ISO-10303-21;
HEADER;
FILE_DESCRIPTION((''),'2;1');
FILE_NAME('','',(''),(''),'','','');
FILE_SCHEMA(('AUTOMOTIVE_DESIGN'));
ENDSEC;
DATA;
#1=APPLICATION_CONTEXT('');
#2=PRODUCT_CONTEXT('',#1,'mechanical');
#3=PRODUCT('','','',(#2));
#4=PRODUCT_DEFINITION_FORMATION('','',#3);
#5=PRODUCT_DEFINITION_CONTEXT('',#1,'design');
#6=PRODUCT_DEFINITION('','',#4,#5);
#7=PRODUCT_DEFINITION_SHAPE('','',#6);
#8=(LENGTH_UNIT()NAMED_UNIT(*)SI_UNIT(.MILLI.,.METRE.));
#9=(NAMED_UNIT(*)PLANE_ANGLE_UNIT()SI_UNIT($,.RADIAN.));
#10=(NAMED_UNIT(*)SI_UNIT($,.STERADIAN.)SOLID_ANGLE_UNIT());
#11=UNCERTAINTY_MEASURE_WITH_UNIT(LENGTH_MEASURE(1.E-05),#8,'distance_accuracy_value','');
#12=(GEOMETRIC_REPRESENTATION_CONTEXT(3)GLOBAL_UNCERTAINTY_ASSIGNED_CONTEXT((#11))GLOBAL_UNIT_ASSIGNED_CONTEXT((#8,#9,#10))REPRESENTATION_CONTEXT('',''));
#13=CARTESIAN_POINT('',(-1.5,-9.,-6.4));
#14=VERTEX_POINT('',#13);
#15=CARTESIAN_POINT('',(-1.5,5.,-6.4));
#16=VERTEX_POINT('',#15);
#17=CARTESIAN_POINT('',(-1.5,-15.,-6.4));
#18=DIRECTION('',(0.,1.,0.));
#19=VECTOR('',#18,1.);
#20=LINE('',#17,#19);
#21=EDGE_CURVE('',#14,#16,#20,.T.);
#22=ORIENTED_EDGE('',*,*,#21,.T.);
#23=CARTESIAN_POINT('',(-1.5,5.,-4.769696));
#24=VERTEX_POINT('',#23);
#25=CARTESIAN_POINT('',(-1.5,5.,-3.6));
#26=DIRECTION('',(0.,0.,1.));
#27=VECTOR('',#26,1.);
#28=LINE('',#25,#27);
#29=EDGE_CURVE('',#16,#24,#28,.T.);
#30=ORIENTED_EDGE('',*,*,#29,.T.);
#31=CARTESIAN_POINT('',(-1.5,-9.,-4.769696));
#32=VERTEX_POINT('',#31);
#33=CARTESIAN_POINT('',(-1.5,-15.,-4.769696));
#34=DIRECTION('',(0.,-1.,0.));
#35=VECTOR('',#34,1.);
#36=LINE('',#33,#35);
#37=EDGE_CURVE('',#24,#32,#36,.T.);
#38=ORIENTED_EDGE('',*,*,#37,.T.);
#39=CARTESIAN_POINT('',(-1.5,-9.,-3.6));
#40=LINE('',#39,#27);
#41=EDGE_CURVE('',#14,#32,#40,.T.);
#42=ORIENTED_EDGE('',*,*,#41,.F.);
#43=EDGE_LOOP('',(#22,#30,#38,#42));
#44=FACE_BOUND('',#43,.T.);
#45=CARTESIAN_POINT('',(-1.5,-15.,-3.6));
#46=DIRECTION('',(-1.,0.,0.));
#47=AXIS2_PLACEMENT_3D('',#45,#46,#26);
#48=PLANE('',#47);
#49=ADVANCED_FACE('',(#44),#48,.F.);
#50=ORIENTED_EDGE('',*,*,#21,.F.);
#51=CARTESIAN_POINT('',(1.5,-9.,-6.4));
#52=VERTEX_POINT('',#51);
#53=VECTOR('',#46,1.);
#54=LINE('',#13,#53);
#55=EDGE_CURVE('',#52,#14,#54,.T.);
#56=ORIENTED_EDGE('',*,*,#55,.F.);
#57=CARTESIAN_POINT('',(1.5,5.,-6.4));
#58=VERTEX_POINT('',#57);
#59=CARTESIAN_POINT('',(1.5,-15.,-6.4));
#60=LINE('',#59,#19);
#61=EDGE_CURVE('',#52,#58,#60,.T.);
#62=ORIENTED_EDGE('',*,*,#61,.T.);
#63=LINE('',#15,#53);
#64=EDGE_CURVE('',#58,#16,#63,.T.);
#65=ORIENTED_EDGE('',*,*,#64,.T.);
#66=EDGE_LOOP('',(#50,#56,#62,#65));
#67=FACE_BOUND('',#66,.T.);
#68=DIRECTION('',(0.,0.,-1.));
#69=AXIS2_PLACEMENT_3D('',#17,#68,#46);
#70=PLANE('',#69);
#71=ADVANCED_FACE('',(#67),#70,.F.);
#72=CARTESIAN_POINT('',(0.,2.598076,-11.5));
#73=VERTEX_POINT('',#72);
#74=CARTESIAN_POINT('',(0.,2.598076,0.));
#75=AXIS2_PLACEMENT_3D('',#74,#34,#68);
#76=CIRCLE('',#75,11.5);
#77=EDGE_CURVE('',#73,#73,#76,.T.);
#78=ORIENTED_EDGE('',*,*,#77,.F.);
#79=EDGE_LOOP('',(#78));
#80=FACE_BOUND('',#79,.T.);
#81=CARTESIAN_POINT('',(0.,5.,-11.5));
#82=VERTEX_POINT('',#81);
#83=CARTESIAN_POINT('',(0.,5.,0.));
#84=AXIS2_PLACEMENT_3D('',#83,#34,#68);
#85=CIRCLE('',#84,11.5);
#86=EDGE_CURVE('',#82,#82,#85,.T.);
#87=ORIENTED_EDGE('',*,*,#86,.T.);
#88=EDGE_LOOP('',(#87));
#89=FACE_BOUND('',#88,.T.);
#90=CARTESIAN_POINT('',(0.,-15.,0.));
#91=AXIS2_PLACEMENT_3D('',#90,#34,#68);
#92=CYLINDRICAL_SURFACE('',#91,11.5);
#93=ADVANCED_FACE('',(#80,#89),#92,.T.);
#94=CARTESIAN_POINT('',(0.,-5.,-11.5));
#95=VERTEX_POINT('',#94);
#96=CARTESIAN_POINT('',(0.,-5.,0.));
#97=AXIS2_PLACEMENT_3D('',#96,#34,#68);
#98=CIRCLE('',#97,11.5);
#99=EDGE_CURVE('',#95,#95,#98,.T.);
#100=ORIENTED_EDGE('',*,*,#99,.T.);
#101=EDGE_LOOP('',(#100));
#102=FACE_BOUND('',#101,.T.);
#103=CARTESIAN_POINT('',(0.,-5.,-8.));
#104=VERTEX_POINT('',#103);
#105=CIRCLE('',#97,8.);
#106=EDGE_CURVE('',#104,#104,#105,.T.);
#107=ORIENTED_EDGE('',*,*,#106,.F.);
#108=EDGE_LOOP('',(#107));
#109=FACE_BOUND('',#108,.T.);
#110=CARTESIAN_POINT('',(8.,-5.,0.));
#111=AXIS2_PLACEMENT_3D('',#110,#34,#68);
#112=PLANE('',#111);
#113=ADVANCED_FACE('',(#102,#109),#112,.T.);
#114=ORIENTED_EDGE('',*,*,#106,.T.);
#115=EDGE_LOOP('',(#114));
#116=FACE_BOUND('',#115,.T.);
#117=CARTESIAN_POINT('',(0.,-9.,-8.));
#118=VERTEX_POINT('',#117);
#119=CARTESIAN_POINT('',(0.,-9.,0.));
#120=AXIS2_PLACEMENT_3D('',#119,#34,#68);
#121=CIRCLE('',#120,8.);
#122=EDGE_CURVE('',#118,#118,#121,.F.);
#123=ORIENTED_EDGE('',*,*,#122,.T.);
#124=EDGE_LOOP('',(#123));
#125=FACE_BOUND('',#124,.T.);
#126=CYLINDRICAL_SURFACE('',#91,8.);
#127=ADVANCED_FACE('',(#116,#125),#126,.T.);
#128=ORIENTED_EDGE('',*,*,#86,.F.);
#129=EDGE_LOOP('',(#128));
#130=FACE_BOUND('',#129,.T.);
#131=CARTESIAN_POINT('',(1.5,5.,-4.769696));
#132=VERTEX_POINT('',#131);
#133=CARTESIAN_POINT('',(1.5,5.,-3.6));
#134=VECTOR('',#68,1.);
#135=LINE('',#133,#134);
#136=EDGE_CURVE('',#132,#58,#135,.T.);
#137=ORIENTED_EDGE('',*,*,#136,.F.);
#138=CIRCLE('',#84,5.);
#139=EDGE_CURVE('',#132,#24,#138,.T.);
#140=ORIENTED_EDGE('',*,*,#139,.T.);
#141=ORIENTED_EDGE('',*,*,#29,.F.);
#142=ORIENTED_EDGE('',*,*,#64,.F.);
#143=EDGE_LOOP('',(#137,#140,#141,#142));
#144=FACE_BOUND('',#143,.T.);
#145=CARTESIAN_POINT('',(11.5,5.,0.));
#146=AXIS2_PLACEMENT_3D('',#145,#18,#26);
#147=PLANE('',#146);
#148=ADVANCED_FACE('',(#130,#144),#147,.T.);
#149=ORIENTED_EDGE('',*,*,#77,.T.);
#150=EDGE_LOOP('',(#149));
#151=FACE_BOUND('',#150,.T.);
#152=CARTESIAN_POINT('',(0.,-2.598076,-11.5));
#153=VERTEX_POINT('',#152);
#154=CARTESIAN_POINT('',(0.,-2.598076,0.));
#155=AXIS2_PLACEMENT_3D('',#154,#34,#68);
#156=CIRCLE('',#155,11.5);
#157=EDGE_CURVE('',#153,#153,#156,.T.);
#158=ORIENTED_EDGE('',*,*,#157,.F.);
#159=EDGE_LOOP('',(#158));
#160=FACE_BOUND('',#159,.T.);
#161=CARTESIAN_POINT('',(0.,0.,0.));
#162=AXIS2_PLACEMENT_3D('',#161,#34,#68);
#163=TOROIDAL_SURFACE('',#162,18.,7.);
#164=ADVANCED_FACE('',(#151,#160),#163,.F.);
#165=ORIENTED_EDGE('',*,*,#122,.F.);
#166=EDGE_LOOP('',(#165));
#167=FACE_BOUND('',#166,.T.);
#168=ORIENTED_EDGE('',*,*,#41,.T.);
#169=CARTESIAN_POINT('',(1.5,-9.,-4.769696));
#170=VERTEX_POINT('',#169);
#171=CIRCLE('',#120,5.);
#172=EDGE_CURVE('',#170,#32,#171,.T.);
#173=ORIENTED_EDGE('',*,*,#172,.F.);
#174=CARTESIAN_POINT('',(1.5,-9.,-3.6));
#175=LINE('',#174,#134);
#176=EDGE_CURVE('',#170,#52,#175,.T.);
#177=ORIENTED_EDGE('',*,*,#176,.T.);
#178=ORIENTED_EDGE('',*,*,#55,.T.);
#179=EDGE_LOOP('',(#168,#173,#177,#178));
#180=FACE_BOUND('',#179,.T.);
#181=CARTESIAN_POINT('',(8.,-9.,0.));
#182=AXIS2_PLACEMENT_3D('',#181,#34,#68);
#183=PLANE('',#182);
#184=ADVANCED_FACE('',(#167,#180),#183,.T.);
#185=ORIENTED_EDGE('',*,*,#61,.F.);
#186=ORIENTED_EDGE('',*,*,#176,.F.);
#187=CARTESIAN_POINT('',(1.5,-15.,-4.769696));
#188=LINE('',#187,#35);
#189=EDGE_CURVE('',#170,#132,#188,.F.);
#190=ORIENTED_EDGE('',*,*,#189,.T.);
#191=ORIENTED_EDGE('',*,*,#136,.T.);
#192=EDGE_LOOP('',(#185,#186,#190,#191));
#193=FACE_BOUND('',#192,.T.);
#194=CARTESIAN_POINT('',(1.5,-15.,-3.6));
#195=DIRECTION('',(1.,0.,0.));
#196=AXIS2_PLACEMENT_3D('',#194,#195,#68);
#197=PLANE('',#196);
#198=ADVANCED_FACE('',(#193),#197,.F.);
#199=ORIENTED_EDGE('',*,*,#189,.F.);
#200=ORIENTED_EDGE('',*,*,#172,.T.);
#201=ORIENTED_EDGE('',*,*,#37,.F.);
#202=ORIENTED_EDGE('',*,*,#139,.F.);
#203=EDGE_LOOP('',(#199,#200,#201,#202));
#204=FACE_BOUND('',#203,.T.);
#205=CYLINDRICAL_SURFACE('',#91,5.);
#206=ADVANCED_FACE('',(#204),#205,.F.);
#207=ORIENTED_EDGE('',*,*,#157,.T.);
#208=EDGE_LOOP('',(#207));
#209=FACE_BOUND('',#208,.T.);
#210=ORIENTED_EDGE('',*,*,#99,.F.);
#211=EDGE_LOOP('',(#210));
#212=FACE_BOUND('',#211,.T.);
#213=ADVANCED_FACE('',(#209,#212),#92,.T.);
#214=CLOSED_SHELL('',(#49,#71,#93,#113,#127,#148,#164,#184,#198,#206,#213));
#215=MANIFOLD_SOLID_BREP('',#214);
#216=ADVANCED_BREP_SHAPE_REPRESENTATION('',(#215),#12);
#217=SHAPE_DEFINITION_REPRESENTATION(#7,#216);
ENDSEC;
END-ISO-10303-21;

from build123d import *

# Parameters (mm, degrees)
ESQUISSE1_W             = 3
ESQUISSE1_H             = 2.8
ENL_V_MAT_EXTRU_1_DEPTH = 21
ESQUISSE2_R             = 8
ENL_V_MAT_EXTRU_2_DEPTH = 6


with BuildPart() as part:
    # Sketch1 → Revolve2 (revolve)
    with BuildSketch(Plane.XY):
        with BuildLine():
            Line((5, -15), (8, -15))
            Line((8, -15), (8, -5))
            Line((8, -5), (11.5, -5))
            Line((11.5, -5), (11.5, -2.598076211))
            ThreePointArc((11.5, -2.598076211), (11, 0), (11.5, 2.598076211))
            Line((11.5, 2.598076211), (11.5, 5))
            Line((11.5, 5), (5, 5))
            Line((5, 5), (5, -15))
        make_face()
    revolve(axis=Axis((0, -15, 0), (0, 1, 0)))

    # Esquisse1 → Enlèv. mat.-Extru.1 (cut, through all)
    with BuildSketch(Plane(origin=(0, 5, 0), x_dir=(1, 0, 0), z_dir=(0, 1, 0))):
        with Locations((0, 5)):
            Rectangle(ESQUISSE1_W, ESQUISSE1_H)
    extrude(amount=-ENL_V_MAT_EXTRU_1_DEPTH, mode=Mode.SUBTRACT)

    # Esquisse2 → Enlèv. mat.-Extru.2 (cut)
    with BuildSketch(Plane.XZ.offset(15)):
        Circle(ESQUISSE2_R)
    extrude(amount=-ENL_V_MAT_EXTRU_2_DEPTH, mode=Mode.SUBTRACT)


solid = part.part
